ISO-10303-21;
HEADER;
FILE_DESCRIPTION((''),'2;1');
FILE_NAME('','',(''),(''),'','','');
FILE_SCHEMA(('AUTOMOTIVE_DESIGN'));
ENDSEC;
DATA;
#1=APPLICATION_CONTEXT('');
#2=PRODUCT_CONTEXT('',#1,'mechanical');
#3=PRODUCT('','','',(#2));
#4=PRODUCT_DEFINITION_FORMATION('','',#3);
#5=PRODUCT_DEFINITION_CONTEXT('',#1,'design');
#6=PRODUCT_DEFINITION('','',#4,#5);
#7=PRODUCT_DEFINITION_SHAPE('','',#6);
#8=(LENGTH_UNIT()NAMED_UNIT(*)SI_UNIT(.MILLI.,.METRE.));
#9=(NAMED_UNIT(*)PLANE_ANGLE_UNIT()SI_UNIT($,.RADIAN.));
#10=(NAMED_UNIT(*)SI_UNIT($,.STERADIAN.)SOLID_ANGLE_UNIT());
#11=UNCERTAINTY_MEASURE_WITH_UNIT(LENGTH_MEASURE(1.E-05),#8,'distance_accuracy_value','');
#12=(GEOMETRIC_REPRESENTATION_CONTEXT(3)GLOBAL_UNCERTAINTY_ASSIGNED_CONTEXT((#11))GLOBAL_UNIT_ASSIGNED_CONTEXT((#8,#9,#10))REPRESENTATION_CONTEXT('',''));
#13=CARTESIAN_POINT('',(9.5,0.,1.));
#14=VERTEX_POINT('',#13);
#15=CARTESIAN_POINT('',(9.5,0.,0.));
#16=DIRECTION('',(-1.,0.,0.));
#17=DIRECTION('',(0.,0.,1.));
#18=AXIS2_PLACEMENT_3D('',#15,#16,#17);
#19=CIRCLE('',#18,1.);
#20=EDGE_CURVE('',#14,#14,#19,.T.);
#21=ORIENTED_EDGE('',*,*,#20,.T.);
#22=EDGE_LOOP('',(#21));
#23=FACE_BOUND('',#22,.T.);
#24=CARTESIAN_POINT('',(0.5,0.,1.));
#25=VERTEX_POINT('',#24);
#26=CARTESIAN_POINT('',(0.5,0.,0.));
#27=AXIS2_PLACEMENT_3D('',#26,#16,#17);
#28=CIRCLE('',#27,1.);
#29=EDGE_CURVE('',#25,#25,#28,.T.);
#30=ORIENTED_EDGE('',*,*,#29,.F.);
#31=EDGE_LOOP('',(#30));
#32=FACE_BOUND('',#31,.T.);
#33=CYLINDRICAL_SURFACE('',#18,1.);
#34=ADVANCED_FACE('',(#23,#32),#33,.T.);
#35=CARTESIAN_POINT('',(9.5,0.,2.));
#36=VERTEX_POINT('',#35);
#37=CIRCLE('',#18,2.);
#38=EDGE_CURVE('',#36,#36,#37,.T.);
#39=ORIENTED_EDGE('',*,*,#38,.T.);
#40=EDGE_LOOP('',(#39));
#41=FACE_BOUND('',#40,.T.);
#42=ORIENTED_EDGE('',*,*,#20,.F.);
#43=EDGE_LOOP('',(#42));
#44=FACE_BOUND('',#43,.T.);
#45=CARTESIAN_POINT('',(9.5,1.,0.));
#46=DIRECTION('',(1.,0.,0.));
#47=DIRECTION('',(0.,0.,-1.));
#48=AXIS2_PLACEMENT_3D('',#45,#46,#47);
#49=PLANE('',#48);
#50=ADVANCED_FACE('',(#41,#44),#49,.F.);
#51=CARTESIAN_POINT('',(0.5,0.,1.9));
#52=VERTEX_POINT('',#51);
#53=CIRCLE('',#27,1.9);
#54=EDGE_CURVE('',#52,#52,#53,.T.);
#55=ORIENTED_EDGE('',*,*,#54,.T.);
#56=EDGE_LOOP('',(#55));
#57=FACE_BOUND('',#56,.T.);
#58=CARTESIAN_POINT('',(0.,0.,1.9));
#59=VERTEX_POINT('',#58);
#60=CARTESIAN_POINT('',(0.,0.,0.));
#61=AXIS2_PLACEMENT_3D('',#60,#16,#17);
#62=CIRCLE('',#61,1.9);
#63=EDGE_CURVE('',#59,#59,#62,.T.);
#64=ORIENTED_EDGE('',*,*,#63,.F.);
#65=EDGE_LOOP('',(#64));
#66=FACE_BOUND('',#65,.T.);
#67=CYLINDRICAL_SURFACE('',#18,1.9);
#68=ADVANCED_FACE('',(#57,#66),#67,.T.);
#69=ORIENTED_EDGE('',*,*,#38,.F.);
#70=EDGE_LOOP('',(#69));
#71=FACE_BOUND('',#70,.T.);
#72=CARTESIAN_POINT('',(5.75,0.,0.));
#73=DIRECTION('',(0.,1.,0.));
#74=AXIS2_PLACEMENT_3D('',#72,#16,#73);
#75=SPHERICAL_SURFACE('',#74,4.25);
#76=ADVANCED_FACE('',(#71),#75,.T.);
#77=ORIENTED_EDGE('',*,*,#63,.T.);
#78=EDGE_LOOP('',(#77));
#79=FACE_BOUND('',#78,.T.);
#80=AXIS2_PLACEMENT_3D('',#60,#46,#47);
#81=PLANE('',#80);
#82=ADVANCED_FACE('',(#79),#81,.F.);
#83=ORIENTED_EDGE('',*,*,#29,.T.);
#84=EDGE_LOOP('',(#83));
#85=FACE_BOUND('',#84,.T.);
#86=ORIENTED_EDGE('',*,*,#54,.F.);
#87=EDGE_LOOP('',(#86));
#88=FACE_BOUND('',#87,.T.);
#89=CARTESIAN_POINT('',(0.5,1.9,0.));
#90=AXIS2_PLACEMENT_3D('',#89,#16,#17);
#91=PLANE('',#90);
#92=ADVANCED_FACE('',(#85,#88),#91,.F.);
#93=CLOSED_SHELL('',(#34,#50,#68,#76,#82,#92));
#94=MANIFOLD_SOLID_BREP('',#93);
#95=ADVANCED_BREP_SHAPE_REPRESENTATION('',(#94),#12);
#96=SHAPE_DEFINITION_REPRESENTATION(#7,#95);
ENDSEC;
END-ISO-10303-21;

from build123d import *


with BuildPart() as part:
    # Szkic1 → Obrót1 (revolve)
    with BuildSketch(Plane.XY):
        with BuildLine():
            Line((0, 0), (9.5, 0))
            Line((9.5, 0), (10, 0))
            ThreePointArc((10, 0), (9.873105626, 1.030776406), (9.5, 2))
            Line((9.5, 2), (9.5, 1))
            Line((9.5, 1), (0.5, 1))
            Line((0.5, 1), (0.5, 1.9))
            Line((0.5, 1.9), (0, 1.9))
            Line((0, 1.9), (0, 0))
        make_face()
    revolve(axis=Axis((9.5, 0, 0), (1, 0, 0)))


solid = part.part
